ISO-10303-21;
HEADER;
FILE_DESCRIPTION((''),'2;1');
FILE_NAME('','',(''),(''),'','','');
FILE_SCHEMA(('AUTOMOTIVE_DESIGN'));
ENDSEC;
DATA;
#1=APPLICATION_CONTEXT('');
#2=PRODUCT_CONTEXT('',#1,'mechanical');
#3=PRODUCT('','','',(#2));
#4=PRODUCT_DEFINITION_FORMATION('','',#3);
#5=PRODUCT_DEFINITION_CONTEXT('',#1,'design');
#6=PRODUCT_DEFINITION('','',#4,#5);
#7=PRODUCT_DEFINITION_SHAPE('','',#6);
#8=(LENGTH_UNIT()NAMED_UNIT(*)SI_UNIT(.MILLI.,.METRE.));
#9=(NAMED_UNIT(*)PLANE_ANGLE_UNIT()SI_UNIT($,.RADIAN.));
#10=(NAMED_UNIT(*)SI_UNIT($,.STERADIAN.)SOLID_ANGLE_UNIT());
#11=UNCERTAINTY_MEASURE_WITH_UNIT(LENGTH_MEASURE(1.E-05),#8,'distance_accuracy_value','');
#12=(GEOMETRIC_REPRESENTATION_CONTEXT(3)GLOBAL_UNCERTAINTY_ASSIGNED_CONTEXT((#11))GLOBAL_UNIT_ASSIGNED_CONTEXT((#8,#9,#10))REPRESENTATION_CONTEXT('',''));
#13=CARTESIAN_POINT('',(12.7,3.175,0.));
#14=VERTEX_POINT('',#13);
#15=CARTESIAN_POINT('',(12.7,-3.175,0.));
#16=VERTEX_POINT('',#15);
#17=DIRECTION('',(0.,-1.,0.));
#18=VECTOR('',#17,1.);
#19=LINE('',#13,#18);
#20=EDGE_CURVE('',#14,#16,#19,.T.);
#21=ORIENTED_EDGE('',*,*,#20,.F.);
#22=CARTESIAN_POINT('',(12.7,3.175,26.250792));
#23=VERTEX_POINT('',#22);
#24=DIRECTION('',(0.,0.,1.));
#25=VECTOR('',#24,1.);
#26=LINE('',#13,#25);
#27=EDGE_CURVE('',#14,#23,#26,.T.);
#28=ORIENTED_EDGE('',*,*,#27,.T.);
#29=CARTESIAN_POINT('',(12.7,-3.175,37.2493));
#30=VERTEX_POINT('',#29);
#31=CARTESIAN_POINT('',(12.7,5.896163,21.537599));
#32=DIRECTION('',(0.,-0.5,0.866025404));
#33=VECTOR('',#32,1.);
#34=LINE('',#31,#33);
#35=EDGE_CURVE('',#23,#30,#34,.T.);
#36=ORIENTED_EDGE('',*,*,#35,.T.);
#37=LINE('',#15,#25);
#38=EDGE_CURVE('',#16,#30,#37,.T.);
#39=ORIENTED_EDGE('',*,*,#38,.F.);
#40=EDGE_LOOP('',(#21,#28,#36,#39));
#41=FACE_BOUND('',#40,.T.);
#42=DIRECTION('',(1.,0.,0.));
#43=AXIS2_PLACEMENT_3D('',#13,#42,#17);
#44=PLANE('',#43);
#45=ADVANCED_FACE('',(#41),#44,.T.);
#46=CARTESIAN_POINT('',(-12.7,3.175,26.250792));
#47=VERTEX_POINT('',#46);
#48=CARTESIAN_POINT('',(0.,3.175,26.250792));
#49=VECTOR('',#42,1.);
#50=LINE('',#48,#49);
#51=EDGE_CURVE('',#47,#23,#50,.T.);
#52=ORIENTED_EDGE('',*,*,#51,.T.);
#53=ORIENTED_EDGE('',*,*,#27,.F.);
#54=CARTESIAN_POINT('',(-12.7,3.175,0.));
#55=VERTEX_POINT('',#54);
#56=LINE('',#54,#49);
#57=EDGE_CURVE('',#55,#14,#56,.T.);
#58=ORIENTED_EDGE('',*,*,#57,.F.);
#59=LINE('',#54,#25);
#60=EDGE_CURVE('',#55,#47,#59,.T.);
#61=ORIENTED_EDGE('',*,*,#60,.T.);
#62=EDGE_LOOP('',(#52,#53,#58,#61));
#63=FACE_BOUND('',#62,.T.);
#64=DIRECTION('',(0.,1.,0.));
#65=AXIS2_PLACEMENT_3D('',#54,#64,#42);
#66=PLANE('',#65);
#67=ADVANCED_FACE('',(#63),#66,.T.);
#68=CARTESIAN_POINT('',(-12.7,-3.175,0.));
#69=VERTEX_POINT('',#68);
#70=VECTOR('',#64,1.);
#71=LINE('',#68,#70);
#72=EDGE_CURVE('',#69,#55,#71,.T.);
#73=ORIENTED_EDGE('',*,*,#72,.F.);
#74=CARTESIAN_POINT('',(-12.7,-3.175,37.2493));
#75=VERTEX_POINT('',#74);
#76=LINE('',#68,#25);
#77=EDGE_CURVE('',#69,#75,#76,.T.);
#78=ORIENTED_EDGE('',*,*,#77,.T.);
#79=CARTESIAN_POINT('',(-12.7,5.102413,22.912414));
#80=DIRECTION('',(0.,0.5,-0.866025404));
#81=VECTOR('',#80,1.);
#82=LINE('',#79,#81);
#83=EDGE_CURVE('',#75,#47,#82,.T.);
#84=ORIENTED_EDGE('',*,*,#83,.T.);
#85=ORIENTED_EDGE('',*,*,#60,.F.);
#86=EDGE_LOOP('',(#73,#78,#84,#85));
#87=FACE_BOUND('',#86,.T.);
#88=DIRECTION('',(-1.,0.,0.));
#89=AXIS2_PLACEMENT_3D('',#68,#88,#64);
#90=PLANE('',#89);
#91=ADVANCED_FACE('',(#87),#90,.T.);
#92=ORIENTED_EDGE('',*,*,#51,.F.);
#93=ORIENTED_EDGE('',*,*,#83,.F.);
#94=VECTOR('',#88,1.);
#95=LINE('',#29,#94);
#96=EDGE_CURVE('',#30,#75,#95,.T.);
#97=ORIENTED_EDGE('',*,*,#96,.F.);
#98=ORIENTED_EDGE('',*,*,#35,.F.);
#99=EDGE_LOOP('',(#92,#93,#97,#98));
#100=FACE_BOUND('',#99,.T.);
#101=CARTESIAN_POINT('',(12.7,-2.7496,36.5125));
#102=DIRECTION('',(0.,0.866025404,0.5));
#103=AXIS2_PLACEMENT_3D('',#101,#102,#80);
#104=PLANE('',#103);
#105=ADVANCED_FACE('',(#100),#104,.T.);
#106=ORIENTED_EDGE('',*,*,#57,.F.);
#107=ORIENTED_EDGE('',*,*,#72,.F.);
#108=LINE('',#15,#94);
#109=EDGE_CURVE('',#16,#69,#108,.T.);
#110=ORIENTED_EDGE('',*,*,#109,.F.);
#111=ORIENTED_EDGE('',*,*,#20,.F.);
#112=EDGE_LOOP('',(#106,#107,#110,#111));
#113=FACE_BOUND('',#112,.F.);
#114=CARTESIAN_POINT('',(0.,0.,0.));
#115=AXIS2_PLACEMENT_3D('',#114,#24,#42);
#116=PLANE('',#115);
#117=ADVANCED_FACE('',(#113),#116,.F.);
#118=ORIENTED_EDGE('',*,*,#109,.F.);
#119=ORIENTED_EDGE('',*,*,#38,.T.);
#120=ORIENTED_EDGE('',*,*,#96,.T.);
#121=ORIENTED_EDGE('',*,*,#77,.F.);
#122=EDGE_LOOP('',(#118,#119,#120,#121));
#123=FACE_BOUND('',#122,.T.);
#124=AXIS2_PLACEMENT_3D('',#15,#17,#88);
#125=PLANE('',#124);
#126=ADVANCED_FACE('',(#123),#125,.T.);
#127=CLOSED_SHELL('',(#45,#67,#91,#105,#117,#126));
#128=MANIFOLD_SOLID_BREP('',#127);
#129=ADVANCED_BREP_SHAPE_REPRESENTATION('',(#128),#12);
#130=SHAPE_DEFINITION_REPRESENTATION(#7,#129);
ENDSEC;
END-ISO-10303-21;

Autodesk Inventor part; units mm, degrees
ref_plane "Start plane" through (0, 0, 0) normal (0, 0, 1) x (1, 0, 0)
ref_plane "End plane" through (0, 0, 37.2493) normal (0, 0, 1) x (1, 0, 0)
sketch "Sketch" plane through (0, 0, 0) normal (0, 0, 1) x (1, 0, 0)
  line L0 (12.7, -3.175) -> (-12.7, -3.175)
  line L1 (-12.7, -3.175) -> (-12.7, 3.175)
  line L2 (-12.7, 3.175) -> (12.7, 3.175)
  line L3 (12.7, 3.175) -> (12.7, -3.175)
  line L4 (-6, 0) -> (8, 0) construction
  line L5 (0, -30) -> (0, 40) construction
  line L6 (0, 54) -> (0, -44) construction
  line L7 (-17.78, 0) -> (17.78, 0) construction
  dimension "d0" = 6.35
  dimension "d1" = 25.4
  dimension "d4" = 12.7
  dimension "d5" = 3.175
extrude "Body" add sketch "Sketch" along normal up to surface (37.2493 mm away) from surface at 0
sketch "Sketch3" plane through (0, 0, 0) normal (0, 0, 1) x (1, 0, 0)
  line L0 (0, 0) -> (10, 0)
ref_plane "Work Plane3" through (0, 0, 0) normal (0, -1, 0) x (1, 0, 0)
sketch "Sketch4" plane through (0, 0, 0) normal (0, -1, 0) x (1, 0, 0)
  line L0 (-2, 0) -> (12, 0)
  line L1 (-2, 37.2493) -> (12, 37.2493)
  dimension "d9" = 37.2493
ref_plane "Work Plane4" through (12.7, -2.7496, 36.5125) normal (0, 0.866, 0.5) x (1, 0, 0)
split "Split1" plane through (12.7, -2.7496, 36.5125) removes the side toward (0, 0.866, 0.5)
equation "\"d0\" = G_W"
equation "\"d1\" = G_H"
equation "\"d4\" = 0.5 * d1"
equation "\"d5\" = 0.5 * d0"
equation "\"d2\" = G_L"
equation "\"G_W\" = 6.35"
equation "\"G_H\" = 25.4"
equation "\"G_L\" = d9"
equation "\"G_OFFSET_START\" = 0"
equation "\"G_OFFSET_END\" = -0.85074"
equation "\"d7\" = G_OFFSET_END + B_L"
equation "\"B_L\" = 38.1"
properties part number "AISC - 1/4x1 - 1.467" material "Steel, Mild"
